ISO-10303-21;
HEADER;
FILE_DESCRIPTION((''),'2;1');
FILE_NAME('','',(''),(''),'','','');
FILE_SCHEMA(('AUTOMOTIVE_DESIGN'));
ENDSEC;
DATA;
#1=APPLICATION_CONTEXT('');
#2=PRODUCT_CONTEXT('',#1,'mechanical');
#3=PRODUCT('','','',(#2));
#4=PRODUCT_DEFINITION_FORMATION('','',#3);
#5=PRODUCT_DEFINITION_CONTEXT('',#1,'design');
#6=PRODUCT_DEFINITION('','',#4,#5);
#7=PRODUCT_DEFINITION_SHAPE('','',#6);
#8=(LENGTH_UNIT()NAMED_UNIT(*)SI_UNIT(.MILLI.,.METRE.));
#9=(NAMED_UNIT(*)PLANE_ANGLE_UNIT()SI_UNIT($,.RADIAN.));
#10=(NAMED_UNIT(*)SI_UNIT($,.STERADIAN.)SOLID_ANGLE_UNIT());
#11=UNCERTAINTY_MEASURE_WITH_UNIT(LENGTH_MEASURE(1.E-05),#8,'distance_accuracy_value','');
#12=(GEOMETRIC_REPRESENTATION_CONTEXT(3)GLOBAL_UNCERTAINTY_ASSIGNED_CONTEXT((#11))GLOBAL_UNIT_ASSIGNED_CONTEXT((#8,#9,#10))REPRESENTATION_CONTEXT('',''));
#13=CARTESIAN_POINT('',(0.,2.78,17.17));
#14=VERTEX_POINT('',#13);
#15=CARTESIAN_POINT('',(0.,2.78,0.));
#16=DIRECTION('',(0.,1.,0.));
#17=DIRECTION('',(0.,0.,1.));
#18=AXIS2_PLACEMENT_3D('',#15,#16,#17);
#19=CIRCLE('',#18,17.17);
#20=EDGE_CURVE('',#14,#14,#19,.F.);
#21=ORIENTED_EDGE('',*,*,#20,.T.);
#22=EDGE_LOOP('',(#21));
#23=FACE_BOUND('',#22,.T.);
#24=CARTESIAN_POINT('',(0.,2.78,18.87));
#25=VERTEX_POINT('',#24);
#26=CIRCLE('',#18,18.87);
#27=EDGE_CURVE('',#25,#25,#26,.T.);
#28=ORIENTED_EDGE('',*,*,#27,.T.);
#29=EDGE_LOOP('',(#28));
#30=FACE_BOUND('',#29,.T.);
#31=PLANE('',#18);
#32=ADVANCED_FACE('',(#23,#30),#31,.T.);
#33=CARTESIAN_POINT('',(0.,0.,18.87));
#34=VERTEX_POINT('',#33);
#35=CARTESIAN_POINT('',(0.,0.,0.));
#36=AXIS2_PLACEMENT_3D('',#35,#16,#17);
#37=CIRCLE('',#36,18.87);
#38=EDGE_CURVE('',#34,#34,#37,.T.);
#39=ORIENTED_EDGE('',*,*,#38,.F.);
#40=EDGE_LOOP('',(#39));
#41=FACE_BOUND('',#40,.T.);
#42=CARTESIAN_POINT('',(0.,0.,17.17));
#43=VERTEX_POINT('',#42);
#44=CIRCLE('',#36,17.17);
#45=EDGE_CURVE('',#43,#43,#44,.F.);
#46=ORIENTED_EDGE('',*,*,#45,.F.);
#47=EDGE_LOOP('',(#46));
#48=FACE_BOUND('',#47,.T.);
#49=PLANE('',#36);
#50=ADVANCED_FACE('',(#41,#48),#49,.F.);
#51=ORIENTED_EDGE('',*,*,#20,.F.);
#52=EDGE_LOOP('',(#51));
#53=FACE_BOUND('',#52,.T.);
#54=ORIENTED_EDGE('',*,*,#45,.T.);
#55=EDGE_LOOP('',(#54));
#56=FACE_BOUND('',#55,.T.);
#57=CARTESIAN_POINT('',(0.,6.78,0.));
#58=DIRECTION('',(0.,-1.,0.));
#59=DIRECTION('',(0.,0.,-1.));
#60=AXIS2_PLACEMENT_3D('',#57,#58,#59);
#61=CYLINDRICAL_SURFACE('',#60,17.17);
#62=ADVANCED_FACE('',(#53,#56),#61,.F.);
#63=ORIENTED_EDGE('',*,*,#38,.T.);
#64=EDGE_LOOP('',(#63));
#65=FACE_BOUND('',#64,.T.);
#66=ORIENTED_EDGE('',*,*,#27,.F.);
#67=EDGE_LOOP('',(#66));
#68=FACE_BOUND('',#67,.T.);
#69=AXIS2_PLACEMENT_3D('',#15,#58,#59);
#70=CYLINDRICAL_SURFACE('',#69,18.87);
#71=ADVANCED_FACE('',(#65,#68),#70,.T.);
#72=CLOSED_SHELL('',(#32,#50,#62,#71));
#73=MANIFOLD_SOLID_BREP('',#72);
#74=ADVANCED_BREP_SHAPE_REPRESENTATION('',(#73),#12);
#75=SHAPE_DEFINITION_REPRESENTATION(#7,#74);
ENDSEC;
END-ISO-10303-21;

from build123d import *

# Parameters (mm, degrees)
IZIM1_R                     = 18.87
Y_KSEKLIK_EKSTR_ZYON1_DEPTH = 2.78
KES_EKSTR_ZYON1_DEPTH       = 4
KES_EKSTR_ZYON1_DEPTH_BACK  = 5.78
IZIM2_R                     = 17.17


with BuildPart() as part:
    # Çizim1 → Yükseklik-Ekstrüzyon1 (new body)
    with BuildSketch(Plane(origin=(0, 0, 0), x_dir=(1, 0, 0), z_dir=(0, 1, 0))):
        with Locations(Location((0, 0, 0), (0, 0, 270))):
            Circle(IZIM1_R)
    extrude(amount=Y_KSEKLIK_EKSTR_ZYON1_DEPTH)

    # Çizim2 → Kes-Ekstrüzyon1 (cut, two sides: drawn at the far end of the back side and taken through both)
    with BuildSketch(Plane(origin=(0, 2.78, 0), x_dir=(1, 0, 0), z_dir=(0, 1, 0)).offset(-KES_EKSTR_ZYON1_DEPTH_BACK)):
        with Locations(Location((0, 0, 0), (0, 0, 270))):
            Circle(IZIM2_R)
    extrude(amount=KES_EKSTR_ZYON1_DEPTH + KES_EKSTR_ZYON1_DEPTH_BACK, mode=Mode.SUBTRACT)


solid = part.part
